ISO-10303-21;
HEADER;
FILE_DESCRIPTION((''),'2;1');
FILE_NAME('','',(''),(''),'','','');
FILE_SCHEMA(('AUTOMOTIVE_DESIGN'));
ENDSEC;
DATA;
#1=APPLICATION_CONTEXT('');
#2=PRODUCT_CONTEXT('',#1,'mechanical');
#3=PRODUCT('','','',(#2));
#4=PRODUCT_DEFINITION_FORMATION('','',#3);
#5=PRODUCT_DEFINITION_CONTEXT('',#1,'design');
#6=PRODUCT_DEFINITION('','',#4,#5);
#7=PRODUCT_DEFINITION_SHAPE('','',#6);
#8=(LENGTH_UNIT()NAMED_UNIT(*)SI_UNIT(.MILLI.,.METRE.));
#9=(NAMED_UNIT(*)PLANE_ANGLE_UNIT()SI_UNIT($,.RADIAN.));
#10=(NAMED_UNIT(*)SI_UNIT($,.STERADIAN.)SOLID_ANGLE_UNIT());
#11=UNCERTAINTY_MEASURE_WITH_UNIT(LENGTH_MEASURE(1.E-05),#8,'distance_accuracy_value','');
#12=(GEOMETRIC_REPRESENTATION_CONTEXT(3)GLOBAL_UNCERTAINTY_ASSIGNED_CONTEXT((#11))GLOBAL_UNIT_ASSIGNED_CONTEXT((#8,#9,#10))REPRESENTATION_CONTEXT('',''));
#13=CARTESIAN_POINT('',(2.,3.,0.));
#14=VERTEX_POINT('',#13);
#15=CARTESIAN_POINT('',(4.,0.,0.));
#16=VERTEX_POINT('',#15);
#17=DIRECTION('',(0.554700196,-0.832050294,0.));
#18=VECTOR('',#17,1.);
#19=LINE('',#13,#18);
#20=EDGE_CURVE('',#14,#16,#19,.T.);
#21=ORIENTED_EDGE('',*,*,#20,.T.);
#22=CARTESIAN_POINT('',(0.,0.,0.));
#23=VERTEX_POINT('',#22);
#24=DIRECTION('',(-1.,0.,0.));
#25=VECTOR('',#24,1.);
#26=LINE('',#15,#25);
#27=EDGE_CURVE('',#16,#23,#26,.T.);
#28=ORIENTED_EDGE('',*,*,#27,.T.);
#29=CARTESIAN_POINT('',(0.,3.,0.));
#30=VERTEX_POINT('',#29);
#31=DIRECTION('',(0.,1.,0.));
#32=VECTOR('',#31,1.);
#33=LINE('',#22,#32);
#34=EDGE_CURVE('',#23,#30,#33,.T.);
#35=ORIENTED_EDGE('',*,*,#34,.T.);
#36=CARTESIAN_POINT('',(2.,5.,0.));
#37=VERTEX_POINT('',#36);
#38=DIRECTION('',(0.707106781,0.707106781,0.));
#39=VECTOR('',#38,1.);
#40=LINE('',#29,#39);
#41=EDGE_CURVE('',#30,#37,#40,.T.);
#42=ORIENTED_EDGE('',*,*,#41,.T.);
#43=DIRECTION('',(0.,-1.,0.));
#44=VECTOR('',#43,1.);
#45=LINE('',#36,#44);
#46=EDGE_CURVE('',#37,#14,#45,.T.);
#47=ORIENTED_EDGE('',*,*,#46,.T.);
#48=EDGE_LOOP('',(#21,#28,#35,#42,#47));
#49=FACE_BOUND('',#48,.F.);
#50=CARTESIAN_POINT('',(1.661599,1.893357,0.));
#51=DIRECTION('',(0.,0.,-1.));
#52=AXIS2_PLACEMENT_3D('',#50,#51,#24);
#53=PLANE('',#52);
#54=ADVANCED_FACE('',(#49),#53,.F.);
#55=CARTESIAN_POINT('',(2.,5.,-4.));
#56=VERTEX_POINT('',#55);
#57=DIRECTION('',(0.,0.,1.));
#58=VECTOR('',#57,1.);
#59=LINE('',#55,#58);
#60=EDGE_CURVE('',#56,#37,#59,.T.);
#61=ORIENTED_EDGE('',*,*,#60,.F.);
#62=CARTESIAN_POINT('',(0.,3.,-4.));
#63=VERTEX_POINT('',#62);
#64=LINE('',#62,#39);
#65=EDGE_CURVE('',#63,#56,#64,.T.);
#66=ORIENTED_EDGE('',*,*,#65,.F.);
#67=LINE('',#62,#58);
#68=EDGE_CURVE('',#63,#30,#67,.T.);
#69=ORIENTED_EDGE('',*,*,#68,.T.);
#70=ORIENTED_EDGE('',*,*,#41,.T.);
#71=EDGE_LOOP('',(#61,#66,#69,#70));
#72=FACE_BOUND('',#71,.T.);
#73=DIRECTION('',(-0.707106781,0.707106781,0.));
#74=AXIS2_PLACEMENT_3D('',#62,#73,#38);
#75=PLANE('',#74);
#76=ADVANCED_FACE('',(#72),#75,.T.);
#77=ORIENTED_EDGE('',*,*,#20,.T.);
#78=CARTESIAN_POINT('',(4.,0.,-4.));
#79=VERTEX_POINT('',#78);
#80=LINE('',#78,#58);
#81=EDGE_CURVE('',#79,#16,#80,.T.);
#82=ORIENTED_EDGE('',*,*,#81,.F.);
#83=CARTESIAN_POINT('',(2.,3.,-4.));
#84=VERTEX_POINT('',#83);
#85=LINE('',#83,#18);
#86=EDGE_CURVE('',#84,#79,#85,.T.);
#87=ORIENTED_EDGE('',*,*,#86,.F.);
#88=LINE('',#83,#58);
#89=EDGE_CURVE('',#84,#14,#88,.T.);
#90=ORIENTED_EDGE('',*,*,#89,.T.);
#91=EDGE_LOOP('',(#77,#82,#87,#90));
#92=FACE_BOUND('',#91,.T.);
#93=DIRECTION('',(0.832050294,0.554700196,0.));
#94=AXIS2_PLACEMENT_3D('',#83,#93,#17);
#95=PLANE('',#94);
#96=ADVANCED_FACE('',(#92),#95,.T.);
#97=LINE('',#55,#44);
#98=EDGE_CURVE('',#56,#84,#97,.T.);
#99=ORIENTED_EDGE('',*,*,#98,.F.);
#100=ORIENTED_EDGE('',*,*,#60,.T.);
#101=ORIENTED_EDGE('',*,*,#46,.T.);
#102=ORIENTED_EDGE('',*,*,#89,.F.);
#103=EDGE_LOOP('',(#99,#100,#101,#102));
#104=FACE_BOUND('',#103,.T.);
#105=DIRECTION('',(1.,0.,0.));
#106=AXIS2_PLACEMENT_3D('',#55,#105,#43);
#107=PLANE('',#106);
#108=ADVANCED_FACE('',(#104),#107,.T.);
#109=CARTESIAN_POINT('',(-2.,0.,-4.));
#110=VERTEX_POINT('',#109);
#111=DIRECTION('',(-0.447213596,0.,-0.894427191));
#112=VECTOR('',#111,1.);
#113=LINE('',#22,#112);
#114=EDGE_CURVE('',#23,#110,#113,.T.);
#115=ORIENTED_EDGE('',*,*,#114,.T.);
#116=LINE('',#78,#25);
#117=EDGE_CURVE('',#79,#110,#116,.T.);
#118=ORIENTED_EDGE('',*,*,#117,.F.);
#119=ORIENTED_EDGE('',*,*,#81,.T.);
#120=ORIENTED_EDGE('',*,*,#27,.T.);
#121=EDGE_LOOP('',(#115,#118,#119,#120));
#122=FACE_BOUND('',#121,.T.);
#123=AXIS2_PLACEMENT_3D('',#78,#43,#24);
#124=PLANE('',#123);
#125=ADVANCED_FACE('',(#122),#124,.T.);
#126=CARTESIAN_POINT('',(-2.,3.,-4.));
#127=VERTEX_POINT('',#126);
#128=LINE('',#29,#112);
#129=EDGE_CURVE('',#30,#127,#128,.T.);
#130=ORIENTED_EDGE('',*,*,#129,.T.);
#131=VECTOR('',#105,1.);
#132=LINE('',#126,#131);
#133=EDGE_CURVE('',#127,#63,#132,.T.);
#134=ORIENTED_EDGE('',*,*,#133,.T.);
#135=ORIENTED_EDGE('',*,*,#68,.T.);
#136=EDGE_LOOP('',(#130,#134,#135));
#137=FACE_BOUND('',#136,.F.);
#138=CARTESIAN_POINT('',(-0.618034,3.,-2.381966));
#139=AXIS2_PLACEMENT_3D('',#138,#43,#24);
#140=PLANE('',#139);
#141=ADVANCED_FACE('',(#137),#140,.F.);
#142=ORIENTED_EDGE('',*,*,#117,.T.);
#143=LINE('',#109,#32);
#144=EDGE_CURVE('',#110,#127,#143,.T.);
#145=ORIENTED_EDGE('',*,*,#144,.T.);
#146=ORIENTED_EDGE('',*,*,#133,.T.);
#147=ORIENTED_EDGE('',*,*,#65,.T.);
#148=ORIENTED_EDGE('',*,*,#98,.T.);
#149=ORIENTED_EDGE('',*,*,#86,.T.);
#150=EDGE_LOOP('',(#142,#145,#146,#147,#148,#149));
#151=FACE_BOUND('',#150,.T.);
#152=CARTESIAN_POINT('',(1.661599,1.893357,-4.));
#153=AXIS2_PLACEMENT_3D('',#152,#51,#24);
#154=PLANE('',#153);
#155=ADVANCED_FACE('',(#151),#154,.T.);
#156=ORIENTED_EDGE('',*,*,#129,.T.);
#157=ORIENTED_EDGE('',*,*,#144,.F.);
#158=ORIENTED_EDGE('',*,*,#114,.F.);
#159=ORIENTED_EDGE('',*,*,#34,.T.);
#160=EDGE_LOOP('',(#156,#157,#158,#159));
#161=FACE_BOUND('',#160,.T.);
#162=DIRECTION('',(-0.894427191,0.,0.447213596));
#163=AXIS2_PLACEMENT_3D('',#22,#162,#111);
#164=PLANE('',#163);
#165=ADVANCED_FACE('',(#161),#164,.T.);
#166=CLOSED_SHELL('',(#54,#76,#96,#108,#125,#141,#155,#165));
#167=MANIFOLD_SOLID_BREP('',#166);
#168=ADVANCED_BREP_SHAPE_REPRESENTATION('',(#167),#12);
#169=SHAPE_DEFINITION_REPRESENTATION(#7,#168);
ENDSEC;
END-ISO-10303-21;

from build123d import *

# Parameters (mm, degrees)
BOSS_EXTRUDE1_DEPTH = 3
BOSS_EXTRUDE2_DEPTH = 4


with BuildPart() as part:
    # Sketch1 → Boss-Extrude1 (new body)
    with BuildSketch(Plane(origin=(0, 0, 0), x_dir=(1, 0, 0), z_dir=(0, 1, 0))):
        Polygon((0, 0), (-2, 4), (0, 4), align=None)
    extrude(amount=BOSS_EXTRUDE1_DEPTH)

    # Sketch2 → Boss-Extrude2 (add)
    with BuildSketch(Plane(origin=(0, 0, -4), x_dir=(-1, 0, 0), z_dir=(0, 0, -1))):
        Polygon((0, 3), (-2, 5), (-2, 3), (-4, 0), (0, 0), align=None)
    extrude(amount=-BOSS_EXTRUDE2_DEPTH)


solid = part.part
